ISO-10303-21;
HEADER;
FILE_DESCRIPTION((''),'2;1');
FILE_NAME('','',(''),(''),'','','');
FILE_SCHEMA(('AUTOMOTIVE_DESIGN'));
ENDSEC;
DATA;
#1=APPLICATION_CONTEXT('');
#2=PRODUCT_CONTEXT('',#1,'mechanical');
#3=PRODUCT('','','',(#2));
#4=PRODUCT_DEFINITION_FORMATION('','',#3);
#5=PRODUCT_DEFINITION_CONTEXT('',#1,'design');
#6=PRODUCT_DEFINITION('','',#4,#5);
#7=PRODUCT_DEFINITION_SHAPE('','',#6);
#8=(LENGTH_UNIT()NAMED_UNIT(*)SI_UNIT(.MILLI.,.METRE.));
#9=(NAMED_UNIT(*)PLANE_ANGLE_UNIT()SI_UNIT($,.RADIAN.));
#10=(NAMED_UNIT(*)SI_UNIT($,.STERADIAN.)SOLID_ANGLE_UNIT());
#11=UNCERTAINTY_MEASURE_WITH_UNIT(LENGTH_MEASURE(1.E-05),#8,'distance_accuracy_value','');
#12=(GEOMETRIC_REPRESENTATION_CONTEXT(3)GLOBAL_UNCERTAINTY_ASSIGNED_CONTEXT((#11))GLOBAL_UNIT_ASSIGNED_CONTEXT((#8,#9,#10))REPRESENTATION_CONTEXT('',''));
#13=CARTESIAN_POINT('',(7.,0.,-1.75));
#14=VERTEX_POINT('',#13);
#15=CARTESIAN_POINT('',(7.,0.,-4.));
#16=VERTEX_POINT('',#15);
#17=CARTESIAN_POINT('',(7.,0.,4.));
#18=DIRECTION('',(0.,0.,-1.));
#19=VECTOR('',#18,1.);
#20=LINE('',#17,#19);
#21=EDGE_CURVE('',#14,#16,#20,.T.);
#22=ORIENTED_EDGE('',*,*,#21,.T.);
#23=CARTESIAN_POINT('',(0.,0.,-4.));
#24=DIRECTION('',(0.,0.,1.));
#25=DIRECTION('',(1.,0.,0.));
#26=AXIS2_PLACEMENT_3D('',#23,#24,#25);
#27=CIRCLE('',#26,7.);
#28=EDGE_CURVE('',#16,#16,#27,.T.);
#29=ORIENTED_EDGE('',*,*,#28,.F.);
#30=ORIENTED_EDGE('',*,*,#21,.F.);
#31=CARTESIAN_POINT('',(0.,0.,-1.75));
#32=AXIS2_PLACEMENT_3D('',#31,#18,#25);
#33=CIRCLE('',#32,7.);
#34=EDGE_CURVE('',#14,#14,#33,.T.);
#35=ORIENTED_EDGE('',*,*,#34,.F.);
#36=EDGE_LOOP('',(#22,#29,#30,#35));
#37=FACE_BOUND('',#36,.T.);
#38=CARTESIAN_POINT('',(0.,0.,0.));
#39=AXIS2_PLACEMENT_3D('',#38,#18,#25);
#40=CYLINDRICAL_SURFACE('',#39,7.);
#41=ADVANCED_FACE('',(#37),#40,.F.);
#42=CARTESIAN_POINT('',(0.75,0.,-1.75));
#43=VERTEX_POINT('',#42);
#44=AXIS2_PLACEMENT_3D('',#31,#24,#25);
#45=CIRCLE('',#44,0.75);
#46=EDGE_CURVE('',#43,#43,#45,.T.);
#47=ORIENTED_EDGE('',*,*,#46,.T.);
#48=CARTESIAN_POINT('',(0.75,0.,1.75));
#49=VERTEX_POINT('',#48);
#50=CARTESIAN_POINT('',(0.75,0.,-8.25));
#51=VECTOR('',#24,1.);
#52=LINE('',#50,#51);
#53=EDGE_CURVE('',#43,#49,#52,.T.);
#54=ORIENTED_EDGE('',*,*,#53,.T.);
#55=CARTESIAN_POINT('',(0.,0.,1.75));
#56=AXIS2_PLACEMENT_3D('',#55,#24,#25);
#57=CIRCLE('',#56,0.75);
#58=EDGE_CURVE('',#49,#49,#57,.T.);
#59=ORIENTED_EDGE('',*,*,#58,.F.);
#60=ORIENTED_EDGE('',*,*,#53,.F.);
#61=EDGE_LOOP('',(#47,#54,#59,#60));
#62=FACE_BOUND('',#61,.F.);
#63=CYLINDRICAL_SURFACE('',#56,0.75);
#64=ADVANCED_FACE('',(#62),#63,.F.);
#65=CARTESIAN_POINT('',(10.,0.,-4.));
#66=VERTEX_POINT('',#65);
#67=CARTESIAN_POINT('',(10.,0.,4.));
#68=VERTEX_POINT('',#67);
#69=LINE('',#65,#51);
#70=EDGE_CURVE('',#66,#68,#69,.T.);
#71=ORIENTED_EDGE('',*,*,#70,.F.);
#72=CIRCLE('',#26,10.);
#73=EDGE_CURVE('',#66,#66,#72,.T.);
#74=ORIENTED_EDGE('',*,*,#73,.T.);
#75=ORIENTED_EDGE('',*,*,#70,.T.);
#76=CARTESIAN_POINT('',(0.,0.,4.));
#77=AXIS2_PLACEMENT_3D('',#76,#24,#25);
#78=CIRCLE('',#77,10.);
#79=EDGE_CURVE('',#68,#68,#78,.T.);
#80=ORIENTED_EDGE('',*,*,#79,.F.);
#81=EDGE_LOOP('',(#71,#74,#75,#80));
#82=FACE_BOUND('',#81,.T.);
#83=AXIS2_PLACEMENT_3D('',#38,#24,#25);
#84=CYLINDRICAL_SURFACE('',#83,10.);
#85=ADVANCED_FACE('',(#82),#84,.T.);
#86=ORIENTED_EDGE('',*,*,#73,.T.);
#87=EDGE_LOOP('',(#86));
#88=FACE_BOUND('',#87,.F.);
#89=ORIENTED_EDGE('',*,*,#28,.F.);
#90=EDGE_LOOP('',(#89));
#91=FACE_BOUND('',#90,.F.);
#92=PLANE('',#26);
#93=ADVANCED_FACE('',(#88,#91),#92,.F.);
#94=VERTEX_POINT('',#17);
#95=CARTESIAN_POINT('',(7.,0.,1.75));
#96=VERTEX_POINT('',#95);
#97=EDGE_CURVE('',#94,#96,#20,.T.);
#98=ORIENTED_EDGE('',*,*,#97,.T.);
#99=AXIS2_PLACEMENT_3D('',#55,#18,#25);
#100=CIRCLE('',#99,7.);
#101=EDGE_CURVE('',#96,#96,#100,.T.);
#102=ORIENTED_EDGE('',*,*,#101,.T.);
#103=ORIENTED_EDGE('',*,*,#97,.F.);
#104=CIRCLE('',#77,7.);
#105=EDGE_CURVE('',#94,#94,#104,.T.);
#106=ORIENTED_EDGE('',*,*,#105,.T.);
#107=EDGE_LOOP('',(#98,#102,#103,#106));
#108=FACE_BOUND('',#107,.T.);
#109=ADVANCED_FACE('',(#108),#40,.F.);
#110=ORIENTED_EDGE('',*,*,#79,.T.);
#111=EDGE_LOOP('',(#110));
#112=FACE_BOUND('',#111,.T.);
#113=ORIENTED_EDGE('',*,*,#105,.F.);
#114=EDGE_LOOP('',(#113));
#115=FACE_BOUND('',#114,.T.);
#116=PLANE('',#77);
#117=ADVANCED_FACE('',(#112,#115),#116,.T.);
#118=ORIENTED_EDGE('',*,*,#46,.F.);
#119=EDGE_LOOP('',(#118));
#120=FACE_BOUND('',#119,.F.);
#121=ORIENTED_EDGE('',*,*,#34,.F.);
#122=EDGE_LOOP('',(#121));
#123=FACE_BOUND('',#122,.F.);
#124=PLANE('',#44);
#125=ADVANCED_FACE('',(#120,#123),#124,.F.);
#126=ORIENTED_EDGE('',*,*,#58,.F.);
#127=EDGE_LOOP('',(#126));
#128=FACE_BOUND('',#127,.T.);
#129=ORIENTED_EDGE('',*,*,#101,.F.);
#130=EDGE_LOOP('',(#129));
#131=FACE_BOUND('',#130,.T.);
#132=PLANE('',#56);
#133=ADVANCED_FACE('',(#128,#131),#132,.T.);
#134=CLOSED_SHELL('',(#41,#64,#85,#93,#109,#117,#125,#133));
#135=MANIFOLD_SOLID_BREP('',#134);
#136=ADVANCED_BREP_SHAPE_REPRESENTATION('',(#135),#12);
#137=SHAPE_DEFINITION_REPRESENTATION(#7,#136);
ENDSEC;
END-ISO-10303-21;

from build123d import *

# Parameters (mm, degrees)
F0_R     = 10
F1_DEPTH = 1.75
F2_R     = 0.75
F3_DEPTH = 10
F4_R     = 10
F4_R_2   = 7
F5_DEPTH = 4


with BuildPart() as f1:
    # F0 (on Top) → F1 (new body, symmetric)
    with BuildSketch(Plane.XY):
        Circle(F0_R)
    extrude(amount=F1_DEPTH, both=True)

    # F2 (on face) → F3 (cut, symmetric)
    with BuildSketch(Plane.XY.offset(1.75)):
        Circle(F2_R)
    extrude(amount=F3_DEPTH, both=True, mode=Mode.SUBTRACT)

    # F4 (on Top) → F5 (join, symmetric)
    with BuildSketch(Plane.XY):
        Circle(F4_R)
        Circle(F4_R_2, mode=Mode.SUBTRACT)
    extrude(amount=F5_DEPTH, both=True)


solid = f1.part
